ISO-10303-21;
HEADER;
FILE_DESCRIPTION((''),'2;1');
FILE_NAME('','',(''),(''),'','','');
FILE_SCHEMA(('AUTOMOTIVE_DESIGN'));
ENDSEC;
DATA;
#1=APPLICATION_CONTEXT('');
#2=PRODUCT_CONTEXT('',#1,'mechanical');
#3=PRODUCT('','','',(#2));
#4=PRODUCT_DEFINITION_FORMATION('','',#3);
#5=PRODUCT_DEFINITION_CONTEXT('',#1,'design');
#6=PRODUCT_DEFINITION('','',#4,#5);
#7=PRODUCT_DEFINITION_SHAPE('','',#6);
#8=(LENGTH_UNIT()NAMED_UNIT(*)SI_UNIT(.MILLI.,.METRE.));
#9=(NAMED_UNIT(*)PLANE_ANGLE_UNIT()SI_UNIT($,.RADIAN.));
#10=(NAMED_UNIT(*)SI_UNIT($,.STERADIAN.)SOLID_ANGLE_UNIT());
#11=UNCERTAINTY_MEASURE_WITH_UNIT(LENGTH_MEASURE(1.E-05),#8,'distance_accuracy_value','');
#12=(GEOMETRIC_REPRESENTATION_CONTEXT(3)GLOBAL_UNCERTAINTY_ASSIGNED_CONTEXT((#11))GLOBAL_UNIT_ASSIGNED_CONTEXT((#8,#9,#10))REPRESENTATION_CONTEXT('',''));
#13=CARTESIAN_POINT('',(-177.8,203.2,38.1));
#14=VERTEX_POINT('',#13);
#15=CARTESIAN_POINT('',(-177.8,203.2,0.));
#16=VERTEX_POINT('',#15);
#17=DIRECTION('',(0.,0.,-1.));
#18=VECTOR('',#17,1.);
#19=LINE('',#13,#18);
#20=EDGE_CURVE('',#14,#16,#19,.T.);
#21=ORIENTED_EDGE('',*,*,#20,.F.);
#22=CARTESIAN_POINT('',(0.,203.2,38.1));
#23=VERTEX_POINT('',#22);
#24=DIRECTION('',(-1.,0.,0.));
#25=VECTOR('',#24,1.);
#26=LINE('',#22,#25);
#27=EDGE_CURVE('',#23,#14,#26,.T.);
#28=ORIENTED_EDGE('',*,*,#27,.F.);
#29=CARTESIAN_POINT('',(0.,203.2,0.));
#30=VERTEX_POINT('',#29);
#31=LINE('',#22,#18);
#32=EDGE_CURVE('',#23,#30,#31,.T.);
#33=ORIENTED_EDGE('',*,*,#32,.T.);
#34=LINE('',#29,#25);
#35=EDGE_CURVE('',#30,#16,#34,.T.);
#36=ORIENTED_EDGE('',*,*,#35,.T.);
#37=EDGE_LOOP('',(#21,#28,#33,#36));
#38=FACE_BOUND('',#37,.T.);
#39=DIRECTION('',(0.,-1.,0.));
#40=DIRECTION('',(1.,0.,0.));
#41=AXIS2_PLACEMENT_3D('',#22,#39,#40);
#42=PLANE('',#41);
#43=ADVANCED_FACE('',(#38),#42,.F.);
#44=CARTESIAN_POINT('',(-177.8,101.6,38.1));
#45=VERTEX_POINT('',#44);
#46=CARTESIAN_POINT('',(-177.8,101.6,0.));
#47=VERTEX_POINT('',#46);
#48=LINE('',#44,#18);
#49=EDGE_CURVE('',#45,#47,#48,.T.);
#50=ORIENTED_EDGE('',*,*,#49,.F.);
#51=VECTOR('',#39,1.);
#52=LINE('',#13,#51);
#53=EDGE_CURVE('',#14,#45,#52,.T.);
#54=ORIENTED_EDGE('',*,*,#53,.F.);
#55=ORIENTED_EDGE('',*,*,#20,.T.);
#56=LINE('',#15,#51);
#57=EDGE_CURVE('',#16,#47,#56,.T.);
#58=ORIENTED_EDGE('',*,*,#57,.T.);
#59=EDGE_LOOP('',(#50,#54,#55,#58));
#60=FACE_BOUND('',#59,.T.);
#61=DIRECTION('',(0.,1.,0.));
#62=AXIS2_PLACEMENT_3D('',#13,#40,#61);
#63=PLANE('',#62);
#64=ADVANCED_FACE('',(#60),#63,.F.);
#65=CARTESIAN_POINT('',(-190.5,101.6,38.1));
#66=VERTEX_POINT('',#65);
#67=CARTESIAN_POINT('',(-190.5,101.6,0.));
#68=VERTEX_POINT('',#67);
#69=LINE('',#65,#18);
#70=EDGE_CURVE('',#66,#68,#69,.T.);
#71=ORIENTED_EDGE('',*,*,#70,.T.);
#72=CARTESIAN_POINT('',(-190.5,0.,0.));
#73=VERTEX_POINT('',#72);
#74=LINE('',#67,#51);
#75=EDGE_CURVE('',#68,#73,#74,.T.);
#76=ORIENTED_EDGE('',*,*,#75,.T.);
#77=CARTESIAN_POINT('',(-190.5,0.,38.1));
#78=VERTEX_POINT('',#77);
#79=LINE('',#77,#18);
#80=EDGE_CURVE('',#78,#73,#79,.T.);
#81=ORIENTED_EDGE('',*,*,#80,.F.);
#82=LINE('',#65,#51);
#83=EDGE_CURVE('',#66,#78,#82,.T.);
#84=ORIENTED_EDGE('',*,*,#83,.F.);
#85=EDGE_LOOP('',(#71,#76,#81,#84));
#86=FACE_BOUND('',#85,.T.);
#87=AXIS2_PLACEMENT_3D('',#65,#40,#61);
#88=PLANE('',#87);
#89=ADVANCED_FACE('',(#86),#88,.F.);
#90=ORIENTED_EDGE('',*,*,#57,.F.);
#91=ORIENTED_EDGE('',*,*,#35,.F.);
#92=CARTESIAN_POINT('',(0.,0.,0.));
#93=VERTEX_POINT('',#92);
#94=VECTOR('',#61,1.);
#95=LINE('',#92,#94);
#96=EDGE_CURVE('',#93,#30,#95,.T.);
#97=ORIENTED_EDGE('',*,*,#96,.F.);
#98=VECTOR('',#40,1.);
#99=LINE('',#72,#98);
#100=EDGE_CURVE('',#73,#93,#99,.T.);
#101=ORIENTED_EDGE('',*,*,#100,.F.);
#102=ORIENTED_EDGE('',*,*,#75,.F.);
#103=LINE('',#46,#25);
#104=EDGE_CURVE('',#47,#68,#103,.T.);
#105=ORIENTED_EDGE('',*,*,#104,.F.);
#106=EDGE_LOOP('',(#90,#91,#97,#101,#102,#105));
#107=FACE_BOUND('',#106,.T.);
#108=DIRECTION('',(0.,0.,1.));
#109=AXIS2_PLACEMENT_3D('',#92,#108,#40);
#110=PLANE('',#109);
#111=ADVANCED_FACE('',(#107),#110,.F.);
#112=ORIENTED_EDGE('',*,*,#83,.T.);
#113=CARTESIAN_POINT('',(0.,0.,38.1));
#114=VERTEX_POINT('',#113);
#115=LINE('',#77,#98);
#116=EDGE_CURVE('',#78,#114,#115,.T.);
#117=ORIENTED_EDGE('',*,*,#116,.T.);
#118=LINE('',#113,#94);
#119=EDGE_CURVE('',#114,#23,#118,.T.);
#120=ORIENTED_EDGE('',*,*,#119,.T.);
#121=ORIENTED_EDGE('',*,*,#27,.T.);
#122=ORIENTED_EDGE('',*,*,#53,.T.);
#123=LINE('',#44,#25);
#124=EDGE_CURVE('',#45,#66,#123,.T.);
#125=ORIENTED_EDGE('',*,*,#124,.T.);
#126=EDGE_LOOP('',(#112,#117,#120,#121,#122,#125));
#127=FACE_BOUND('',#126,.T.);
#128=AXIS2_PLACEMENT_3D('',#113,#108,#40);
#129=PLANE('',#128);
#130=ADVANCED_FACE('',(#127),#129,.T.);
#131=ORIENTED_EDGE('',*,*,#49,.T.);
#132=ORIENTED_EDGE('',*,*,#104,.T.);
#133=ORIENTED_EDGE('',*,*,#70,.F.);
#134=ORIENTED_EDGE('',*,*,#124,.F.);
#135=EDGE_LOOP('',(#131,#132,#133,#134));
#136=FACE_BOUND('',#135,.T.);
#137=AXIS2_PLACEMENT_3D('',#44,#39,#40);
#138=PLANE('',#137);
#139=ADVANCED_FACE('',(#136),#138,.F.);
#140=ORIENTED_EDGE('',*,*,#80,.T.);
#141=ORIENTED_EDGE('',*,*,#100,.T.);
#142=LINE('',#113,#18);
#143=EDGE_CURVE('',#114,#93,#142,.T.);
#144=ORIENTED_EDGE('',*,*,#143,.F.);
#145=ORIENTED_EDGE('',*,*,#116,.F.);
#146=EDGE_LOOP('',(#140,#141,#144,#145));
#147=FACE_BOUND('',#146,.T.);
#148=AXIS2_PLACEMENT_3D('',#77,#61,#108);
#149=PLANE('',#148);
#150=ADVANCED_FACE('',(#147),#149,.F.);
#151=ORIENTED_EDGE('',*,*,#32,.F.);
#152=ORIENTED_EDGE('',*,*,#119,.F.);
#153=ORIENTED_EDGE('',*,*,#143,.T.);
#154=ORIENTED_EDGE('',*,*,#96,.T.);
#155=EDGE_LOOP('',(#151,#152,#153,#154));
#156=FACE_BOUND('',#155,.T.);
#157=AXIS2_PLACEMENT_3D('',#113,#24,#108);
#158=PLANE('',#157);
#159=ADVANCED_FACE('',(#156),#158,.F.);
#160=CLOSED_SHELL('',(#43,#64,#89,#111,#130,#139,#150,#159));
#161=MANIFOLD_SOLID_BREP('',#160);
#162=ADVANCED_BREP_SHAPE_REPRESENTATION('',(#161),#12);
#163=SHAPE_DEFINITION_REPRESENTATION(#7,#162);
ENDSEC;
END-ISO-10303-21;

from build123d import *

# Parameters (mm, degrees)
BOSS_EXTRUDE1_DEPTH = 38.1


with BuildPart() as part:
    # Sketch1 → Boss-Extrude1 (new body)
    with BuildSketch(Plane.XY):
        Polygon((-190.5, 101.6), (-190.5, 0), (0, 0), (0, 203.2), (-177.8, 203.2), (-177.8, 101.6), align=None)
    extrude(amount=BOSS_EXTRUDE1_DEPTH)


solid = part.part
